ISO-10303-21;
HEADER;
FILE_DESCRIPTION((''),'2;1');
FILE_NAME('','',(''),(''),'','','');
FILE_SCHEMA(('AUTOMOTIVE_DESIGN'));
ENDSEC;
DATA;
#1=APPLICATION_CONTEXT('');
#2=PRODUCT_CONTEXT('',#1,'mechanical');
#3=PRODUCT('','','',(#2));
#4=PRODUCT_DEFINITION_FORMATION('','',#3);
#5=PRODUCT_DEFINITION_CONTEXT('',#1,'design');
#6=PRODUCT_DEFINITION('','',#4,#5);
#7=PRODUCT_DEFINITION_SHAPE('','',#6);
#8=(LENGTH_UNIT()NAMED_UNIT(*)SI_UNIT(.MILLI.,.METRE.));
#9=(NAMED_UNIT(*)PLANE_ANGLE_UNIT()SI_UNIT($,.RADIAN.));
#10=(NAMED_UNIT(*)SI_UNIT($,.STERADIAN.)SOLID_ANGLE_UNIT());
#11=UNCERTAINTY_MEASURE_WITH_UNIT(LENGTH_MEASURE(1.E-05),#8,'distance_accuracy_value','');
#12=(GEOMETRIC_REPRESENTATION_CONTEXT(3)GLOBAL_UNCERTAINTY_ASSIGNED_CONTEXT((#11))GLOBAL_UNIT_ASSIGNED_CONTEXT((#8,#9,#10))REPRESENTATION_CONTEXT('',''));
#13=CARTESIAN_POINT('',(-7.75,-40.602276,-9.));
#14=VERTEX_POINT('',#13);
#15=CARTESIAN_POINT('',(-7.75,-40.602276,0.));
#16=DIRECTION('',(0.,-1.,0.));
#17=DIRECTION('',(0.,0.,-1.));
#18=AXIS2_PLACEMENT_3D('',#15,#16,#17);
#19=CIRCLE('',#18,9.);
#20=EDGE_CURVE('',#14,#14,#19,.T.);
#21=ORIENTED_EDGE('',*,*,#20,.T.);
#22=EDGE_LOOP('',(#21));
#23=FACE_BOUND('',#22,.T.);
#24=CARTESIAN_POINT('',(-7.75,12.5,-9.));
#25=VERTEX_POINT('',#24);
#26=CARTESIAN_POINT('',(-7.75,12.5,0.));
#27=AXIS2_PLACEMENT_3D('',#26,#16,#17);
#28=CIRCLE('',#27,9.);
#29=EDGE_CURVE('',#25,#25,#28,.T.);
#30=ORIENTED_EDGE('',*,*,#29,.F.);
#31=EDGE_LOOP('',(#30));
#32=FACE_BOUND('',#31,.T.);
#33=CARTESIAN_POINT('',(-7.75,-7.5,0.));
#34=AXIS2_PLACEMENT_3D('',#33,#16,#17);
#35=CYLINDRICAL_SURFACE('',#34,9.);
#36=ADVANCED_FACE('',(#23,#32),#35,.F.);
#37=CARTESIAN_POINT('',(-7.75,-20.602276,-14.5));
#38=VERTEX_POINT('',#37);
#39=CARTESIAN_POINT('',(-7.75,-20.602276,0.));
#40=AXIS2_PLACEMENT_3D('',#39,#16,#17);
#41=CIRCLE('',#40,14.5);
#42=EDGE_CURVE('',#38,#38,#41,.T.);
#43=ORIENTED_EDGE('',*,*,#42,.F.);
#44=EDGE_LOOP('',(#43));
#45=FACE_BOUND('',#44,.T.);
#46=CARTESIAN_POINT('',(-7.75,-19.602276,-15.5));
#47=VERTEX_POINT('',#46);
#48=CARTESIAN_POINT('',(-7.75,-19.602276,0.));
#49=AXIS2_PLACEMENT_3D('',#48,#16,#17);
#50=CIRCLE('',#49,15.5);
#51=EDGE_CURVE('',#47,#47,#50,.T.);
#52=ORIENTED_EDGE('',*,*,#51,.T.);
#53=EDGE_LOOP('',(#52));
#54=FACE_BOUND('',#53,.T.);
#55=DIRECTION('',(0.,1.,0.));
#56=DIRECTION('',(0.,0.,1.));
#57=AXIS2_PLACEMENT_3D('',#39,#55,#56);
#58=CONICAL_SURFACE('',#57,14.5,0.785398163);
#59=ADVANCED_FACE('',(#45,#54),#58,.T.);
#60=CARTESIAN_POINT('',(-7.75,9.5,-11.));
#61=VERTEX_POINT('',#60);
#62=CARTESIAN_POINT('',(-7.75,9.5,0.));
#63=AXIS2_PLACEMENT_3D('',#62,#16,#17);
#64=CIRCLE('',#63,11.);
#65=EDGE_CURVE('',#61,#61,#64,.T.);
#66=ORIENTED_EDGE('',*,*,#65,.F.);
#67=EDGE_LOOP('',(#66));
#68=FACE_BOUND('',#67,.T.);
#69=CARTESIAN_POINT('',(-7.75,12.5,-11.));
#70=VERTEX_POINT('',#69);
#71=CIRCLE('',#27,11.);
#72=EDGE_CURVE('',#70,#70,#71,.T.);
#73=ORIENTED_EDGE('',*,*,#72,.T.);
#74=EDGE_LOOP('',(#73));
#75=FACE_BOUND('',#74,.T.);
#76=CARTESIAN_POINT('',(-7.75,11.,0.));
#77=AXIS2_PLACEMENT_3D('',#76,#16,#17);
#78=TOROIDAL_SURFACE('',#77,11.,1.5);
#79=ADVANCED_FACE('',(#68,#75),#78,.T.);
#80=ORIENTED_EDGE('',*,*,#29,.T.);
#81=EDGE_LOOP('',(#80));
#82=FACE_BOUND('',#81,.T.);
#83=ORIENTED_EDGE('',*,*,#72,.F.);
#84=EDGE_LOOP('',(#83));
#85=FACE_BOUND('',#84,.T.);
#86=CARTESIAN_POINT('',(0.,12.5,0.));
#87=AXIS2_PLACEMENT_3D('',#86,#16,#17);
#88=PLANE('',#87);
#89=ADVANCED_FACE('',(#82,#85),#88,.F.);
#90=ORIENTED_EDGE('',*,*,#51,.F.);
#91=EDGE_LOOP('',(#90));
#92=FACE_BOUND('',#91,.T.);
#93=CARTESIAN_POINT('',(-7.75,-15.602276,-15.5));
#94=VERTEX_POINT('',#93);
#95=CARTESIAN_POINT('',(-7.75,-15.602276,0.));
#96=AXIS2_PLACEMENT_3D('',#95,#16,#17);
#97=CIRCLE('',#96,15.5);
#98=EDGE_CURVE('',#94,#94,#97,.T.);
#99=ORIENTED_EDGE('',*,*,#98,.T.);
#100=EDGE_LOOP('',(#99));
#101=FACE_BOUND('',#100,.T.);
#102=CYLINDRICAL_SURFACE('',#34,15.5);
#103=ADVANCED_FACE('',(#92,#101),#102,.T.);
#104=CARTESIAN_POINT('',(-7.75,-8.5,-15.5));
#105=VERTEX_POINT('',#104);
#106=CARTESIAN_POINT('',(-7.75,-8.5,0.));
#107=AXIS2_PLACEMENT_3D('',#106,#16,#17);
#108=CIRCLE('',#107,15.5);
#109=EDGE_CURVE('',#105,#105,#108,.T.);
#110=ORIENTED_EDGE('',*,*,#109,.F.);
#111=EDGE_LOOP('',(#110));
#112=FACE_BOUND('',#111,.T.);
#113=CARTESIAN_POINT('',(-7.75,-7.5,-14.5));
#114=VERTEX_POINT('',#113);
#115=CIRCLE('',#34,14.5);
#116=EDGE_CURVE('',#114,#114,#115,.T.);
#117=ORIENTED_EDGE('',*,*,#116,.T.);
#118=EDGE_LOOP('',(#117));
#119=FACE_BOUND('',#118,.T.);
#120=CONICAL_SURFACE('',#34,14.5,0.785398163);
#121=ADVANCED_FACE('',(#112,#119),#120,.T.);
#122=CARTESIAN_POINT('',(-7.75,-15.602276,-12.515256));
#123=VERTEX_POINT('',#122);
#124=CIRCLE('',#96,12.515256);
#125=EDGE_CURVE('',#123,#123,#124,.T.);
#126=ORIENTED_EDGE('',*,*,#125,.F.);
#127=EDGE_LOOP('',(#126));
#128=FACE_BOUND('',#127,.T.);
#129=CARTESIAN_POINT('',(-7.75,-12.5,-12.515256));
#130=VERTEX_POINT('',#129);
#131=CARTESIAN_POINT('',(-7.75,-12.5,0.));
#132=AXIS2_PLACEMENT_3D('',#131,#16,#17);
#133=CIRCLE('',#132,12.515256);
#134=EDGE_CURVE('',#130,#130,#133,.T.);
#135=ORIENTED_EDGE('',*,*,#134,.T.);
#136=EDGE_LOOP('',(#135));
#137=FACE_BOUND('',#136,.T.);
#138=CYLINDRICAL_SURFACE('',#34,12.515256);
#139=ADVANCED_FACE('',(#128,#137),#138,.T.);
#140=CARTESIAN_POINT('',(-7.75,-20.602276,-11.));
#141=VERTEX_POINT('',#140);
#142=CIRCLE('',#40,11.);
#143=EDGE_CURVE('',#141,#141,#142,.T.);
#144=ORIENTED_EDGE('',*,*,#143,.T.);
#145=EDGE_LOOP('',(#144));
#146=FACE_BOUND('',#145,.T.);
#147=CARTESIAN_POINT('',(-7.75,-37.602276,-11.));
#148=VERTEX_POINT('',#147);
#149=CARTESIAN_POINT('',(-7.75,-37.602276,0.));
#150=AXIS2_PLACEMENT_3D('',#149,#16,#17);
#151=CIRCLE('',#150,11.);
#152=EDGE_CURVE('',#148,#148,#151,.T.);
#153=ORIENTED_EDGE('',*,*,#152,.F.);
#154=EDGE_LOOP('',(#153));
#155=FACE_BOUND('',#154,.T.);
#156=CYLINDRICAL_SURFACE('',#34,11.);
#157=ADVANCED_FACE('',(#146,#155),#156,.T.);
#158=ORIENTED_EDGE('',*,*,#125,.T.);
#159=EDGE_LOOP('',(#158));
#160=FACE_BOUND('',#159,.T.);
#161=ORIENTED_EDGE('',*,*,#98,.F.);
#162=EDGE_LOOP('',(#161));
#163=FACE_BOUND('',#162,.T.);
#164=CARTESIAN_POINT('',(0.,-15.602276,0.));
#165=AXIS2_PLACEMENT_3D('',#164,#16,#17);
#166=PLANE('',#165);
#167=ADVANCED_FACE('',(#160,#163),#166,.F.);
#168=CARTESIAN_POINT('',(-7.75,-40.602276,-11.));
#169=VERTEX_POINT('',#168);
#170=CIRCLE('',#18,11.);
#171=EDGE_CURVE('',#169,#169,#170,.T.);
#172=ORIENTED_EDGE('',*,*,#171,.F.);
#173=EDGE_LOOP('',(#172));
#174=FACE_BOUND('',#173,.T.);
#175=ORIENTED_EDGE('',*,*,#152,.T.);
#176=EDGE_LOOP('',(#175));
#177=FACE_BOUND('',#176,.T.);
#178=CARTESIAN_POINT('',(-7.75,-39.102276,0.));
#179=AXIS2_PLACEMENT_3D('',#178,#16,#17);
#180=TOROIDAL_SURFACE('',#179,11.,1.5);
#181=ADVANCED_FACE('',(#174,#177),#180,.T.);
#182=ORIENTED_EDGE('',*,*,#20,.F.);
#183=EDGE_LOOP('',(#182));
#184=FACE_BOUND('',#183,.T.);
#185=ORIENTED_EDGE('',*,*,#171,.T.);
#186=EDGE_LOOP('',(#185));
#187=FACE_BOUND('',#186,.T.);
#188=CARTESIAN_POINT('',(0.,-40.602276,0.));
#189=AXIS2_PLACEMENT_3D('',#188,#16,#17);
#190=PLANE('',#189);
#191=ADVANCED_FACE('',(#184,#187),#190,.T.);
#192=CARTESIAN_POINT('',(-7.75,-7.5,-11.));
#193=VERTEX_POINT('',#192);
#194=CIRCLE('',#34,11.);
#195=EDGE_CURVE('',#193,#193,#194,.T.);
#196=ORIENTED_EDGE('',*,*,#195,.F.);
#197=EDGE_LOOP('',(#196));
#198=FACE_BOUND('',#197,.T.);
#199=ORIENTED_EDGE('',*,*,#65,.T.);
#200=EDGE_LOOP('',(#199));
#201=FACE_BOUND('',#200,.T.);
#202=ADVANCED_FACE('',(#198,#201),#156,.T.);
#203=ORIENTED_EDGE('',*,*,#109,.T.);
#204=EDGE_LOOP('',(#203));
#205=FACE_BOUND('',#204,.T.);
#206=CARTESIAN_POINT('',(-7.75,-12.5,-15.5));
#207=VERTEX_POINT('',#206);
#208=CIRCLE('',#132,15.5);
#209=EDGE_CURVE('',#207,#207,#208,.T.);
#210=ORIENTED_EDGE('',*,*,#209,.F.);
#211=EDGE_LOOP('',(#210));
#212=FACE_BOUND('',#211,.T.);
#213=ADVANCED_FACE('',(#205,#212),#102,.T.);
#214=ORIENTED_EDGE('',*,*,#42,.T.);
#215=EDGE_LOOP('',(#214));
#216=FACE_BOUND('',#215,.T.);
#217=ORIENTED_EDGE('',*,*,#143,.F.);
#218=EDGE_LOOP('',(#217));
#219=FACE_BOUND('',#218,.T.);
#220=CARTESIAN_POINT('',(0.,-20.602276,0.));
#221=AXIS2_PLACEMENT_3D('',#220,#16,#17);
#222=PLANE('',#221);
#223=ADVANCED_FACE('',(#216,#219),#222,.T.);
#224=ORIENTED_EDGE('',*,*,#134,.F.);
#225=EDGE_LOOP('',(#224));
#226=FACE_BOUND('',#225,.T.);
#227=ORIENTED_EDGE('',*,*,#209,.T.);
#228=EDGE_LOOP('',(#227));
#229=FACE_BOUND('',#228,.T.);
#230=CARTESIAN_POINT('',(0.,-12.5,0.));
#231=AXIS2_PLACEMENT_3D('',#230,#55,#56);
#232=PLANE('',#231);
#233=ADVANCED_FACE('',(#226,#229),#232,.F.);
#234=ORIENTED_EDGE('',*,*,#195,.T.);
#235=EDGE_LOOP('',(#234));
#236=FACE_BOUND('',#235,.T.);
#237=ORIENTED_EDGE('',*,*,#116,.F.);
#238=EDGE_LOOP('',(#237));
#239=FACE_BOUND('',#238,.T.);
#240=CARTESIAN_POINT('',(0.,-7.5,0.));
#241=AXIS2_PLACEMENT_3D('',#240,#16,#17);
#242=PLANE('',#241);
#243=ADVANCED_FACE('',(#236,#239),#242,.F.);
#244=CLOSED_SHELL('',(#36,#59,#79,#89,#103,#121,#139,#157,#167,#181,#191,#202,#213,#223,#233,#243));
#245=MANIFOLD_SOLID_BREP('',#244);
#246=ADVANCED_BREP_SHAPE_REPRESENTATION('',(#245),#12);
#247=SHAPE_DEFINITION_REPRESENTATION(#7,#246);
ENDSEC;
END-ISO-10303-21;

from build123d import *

# Parameters (mm, degrees)
CROQUIS1_W   = 3.515255872
CROQUIS1_H   = 1.551138095
CROQUIS1_H_2 = 1.551138096


with BuildPart() as part:
    # Croquis1 → Revolución1 (revolve)
    with BuildSketch(Plane.XY, mode=Mode.PRIVATE) as revoluci_n1_sk:
        with BuildLine():
            ThreePointArc((3.25, 12.5), (4.75, 11), (3.25, 9.5))
            Line((3.25, 9.5), (3.25, -7.5))
            Line((3.25, -7.5), (6.75, -7.5))
            Line((6.75, -7.5), (7.75, -8.5))
            Line((7.75, -8.5), (7.75, -12.5))
            Line((7.75, -12.5), (1.25, -12.5))
            Line((1.25, -12.5), (1.25, 12.5))
            Line((1.25, 12.5), (3.25, 12.5))
        make_face()
        with Locations((3.007627936, -13.275569047)):
            Rectangle(CROQUIS1_W, CROQUIS1_H)
        with Locations((3.007627936, -14.826707143)):
            Rectangle(CROQUIS1_W, CROQUIS1_H_2)
        with BuildLine():
            Line((7.75, -15.602276191), (4.765255872, -15.602276191))
            Line((4.765255872, -15.602276191), (1.25, -15.602276191))
            Line((1.25, -15.602276191), (1.25, -40.602276191))
            Line((1.25, -40.602276191), (3.25, -40.602276191))
            ThreePointArc((3.25, -40.602276191), (4.75, -39.102276191), (3.25, -37.602276191))
            Line((3.25, -37.602276191), (3.25, -20.602276191))
            Line((3.25, -20.602276191), (6.75, -20.602276191))
            Line((6.75, -20.602276191), (7.75, -19.602276191))
            Line((7.75, -19.602276191), (7.75, -15.602276191))
        make_face()
    revolve(revoluci_n1_sk.sketch.rotate(Axis((-7.75, -7.5, 0), (0, 1, 0)), 90), axis=Axis((-7.75, -7.5, 0), (0, 1, 0)))


solid = part.part
